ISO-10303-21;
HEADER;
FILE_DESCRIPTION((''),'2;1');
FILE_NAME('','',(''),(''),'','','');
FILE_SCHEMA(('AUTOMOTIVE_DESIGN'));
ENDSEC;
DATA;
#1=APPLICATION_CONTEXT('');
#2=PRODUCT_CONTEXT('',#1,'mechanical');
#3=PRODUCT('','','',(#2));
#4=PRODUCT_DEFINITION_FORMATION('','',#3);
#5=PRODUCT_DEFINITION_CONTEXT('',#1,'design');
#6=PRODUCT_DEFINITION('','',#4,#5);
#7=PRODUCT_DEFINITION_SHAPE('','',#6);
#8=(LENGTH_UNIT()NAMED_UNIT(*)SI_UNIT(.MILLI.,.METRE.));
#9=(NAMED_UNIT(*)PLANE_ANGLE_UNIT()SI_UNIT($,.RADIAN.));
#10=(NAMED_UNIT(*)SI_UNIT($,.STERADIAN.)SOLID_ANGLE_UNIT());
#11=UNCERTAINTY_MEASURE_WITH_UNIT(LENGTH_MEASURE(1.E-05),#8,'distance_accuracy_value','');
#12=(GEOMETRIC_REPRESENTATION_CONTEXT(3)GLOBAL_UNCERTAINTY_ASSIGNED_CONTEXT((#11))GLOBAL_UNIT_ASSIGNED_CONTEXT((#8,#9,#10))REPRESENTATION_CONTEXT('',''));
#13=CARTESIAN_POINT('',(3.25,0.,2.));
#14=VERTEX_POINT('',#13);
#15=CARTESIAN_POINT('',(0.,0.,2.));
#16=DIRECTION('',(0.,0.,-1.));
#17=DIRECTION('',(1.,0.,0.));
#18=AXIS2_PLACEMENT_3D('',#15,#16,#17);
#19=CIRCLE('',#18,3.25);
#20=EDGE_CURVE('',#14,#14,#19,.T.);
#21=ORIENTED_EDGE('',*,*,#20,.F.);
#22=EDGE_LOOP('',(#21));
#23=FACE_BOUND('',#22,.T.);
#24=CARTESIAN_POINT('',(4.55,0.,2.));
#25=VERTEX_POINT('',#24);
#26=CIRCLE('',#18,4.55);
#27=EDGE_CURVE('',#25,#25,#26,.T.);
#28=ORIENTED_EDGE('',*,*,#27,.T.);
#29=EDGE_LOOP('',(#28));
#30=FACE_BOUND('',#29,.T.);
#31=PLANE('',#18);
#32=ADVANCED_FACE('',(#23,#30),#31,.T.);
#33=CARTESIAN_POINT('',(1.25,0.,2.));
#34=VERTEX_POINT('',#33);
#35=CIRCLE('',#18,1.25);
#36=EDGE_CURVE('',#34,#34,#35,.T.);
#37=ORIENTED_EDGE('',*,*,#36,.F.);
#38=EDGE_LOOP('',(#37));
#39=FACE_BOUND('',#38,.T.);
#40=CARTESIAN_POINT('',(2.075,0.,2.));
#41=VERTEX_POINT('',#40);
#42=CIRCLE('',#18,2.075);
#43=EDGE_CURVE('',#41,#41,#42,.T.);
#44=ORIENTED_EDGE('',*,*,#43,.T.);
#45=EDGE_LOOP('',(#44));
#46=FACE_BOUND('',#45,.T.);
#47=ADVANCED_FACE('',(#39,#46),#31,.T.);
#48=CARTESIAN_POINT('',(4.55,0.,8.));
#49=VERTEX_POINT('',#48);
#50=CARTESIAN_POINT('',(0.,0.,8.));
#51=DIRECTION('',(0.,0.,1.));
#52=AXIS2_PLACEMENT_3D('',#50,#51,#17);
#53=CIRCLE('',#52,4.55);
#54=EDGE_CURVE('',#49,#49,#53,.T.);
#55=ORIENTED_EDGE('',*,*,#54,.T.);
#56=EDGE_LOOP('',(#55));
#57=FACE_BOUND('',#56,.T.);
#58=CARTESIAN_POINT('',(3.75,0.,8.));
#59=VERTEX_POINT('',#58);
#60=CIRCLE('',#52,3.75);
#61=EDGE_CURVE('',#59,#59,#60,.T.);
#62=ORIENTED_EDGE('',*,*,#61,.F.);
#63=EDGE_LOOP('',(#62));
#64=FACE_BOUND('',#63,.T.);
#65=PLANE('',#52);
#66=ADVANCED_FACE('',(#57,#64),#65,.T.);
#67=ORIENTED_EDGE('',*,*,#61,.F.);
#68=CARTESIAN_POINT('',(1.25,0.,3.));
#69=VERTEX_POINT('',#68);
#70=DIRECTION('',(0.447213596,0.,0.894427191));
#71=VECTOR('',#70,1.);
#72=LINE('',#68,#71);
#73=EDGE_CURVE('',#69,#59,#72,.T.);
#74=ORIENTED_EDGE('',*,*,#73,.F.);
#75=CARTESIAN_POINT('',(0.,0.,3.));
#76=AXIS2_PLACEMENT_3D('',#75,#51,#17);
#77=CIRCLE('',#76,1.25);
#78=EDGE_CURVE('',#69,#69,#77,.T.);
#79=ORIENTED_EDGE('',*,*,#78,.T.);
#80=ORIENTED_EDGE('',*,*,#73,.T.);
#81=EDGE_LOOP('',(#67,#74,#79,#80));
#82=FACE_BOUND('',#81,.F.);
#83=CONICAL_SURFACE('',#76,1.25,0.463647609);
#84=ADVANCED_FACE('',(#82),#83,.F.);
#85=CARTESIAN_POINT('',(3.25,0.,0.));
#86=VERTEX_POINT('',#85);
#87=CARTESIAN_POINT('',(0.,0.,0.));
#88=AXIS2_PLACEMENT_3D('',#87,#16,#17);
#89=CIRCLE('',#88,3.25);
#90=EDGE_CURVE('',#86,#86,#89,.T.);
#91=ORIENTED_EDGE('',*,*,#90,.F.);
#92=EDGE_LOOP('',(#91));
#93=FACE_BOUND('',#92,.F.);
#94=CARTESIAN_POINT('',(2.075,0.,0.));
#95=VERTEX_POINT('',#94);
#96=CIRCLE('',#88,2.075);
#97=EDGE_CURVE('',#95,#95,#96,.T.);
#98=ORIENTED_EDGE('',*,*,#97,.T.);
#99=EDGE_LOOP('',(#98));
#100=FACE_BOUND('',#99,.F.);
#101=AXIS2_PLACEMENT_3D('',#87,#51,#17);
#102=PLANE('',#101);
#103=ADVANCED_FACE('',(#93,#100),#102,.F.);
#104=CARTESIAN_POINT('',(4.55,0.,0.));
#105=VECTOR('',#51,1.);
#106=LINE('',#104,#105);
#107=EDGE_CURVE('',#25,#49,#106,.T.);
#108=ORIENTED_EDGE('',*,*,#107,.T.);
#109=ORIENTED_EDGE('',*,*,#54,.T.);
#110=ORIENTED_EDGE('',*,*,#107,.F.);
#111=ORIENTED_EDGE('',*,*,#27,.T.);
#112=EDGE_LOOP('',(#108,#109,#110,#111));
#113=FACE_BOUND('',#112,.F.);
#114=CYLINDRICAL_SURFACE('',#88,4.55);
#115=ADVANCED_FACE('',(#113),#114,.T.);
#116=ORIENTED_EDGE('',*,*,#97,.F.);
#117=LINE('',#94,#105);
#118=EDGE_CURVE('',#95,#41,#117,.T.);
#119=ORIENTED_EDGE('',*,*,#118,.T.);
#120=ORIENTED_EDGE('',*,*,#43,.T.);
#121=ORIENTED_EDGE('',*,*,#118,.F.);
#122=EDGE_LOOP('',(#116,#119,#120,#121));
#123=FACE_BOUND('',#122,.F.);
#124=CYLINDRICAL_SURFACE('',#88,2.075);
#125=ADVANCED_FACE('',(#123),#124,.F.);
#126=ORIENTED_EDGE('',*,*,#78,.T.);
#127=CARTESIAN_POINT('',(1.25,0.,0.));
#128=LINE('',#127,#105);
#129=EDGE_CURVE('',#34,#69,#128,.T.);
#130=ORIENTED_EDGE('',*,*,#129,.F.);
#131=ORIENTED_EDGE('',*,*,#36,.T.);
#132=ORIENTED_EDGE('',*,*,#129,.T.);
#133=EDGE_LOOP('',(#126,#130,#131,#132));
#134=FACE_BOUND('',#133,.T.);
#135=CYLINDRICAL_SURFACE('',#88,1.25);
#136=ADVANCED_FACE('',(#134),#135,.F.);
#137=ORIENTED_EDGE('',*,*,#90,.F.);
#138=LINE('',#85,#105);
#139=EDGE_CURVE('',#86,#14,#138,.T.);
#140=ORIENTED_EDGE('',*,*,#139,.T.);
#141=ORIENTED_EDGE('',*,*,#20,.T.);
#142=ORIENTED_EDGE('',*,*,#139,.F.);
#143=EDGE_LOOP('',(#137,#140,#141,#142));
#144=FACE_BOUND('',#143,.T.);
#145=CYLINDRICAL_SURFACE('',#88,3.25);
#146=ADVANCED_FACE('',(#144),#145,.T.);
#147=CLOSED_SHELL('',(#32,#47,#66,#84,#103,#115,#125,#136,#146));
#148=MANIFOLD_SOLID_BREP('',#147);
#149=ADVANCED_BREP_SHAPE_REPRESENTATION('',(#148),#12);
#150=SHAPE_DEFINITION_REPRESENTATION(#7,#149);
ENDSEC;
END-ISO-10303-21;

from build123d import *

# Parameters (mm, degrees)
F0_R     = 4.55
F0_R_2   = 1.25
F1_DEPTH = 8
F2_SIZE2 = 2.5
F2_SIZE  = 5
F3_R     = 4.55
F3_R_2   = 3.25
F3_R_3   = 2.075
F3_R_4   = 1.25
F4_DEPTH = 2


with BuildPart() as f1:
    # F0 (on Top) → F1 (new body)
    with BuildSketch(Plane.XY):
        Circle(F0_R)
        Circle(F0_R_2, mode=Mode.SUBTRACT)
    extrude(amount=F1_DEPTH)

    # F2
    f2_edges = [f1.edges().sort_by_distance(p)[0] for p in [
        (-1.25, 0, 8),
    ]]
    f2_side = f1.faces().sort_by_distance((-1.25, 0, 4))[0]
    chamfer(f2_edges, length=F2_SIZE, length2=F2_SIZE2, reference=f2_side)

    # F3 (on face) → F4 (cut)
    with BuildSketch(Plane(origin=(0, 0, 0), x_dir=(1, 0, 0), z_dir=(0, 0, -1))):
        Circle(F3_R)
        Circle(F3_R_2, mode=Mode.SUBTRACT)
        Circle(F3_R_3)
        Circle(F3_R_4, mode=Mode.SUBTRACT)
    extrude(amount=-F4_DEPTH, mode=Mode.SUBTRACT)


solid = f1.part
